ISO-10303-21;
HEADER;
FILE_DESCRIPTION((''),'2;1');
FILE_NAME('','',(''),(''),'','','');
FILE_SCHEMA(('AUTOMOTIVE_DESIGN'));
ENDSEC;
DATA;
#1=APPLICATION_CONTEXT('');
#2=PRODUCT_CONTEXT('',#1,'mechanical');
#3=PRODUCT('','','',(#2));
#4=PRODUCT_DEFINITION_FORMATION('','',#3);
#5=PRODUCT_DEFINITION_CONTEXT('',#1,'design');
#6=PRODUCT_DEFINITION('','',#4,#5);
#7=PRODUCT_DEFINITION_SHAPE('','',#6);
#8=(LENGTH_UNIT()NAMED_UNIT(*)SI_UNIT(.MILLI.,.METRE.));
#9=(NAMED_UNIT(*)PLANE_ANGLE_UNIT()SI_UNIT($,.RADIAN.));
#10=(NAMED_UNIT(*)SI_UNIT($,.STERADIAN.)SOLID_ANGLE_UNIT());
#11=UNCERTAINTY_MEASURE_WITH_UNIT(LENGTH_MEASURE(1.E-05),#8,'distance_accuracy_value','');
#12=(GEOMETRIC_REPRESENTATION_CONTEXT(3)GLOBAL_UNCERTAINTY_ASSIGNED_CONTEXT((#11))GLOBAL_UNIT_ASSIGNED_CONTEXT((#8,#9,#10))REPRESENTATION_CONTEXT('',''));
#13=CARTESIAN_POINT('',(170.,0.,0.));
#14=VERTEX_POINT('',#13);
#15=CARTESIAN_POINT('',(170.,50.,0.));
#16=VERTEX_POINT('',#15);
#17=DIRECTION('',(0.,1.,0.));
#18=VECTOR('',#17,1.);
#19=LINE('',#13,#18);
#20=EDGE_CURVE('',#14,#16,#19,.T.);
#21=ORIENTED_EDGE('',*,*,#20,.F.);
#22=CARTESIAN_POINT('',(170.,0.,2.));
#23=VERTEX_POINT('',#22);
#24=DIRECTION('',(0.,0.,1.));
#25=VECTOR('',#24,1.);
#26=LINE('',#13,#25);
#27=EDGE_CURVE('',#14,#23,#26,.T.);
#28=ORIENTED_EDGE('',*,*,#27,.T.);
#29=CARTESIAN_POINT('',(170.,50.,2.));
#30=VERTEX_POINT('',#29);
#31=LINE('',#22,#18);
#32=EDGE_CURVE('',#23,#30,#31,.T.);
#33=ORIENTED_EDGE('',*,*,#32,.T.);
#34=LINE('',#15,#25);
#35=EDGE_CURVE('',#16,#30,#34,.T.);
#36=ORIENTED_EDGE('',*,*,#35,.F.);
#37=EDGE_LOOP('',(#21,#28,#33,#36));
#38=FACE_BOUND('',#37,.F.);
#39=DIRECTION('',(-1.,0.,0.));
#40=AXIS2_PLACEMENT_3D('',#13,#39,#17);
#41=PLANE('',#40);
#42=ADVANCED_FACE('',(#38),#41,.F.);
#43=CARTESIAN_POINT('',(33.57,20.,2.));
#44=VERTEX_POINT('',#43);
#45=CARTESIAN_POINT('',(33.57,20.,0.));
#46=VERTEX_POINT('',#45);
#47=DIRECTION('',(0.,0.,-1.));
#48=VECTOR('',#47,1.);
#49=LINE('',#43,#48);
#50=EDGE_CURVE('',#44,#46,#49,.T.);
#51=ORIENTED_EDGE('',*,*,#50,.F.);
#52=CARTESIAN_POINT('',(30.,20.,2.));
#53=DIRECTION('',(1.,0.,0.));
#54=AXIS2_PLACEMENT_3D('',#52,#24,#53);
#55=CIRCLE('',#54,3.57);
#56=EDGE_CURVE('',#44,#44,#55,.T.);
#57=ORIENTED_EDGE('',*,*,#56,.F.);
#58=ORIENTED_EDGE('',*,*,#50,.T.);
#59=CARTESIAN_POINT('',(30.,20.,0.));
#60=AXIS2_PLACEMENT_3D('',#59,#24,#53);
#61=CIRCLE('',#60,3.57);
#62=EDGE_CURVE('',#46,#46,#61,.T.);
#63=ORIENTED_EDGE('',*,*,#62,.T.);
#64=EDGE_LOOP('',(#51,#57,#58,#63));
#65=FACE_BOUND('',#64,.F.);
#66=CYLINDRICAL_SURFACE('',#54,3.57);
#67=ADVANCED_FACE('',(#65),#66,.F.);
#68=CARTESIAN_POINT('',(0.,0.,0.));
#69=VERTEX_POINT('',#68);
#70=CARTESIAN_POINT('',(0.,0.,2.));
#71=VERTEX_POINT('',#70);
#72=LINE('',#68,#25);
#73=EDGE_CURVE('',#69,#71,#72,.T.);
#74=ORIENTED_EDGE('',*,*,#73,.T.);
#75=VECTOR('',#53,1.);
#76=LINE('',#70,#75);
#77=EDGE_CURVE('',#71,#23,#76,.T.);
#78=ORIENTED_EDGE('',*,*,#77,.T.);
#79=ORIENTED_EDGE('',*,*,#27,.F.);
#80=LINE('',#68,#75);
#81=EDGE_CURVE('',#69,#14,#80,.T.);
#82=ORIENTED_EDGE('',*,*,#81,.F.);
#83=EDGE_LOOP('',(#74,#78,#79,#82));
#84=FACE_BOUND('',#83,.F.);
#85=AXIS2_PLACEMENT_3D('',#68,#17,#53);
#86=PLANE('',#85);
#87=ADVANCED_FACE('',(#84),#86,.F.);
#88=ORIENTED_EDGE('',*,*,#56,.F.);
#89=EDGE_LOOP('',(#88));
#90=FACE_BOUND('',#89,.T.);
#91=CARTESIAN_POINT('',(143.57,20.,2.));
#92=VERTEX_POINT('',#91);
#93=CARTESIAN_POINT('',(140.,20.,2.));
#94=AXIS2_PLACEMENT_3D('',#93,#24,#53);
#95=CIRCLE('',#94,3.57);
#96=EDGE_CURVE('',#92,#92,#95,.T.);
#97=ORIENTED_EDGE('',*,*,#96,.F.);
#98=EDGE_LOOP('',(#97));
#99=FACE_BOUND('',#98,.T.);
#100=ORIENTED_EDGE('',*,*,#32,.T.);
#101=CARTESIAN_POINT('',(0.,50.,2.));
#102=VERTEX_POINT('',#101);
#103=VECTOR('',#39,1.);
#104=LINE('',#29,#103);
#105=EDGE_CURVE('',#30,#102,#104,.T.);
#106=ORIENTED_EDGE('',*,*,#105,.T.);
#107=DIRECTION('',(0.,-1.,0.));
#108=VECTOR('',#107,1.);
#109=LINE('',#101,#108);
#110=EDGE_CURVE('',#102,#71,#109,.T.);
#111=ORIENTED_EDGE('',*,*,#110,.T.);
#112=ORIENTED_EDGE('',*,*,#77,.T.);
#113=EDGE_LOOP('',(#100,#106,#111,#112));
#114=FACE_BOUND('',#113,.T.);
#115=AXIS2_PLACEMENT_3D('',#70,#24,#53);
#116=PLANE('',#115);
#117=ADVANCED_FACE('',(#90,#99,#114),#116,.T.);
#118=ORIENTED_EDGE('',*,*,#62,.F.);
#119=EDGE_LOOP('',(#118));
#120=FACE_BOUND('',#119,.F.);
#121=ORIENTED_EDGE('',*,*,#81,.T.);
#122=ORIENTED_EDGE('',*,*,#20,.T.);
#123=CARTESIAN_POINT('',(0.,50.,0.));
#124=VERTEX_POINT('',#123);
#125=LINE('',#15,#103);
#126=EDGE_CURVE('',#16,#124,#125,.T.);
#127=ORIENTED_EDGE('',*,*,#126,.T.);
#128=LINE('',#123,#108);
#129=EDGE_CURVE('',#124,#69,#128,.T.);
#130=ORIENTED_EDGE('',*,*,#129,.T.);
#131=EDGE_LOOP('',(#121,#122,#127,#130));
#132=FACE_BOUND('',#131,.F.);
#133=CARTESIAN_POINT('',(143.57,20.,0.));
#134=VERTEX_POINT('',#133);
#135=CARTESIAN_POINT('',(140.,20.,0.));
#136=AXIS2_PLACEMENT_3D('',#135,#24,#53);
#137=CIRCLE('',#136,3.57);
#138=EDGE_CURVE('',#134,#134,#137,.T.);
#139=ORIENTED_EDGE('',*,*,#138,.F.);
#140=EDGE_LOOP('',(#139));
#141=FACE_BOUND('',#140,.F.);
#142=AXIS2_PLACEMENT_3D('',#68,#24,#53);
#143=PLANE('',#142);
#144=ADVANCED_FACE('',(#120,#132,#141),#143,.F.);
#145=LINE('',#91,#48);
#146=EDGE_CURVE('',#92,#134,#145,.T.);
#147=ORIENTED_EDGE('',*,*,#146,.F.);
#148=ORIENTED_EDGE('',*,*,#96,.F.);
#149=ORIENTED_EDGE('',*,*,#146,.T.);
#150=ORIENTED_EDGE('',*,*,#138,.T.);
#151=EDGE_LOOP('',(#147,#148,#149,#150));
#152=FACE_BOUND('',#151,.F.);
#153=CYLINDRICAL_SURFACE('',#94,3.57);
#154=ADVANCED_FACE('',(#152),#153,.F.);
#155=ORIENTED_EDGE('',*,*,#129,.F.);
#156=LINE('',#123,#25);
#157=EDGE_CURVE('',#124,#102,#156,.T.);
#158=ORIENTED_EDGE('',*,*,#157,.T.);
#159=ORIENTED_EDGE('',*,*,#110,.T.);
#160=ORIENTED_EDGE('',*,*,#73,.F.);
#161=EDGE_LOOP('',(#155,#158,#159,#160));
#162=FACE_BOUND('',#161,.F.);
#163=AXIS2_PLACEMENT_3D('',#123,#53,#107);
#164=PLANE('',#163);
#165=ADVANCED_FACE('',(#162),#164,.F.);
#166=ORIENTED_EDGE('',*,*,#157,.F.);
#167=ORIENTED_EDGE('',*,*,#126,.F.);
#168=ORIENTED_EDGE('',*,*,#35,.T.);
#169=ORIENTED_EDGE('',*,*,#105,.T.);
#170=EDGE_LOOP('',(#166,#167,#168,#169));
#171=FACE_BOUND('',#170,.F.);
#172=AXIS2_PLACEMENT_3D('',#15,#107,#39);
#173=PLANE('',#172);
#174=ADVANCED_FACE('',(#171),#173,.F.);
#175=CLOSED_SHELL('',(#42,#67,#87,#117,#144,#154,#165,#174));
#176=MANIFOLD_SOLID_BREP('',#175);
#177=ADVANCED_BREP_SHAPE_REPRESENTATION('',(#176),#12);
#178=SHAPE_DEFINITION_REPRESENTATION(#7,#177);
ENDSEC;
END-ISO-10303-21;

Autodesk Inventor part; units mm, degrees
ref_plane "YZ Plane" through (0, 0, 0) normal (1, 0, 0) x (0, 1, 0)
ref_plane "XZ Plane" through (0, 0, 0) normal (0, 1, 0) x (-1, 0, 0)
ref_plane "XY Plane" through (0, 0, 0) normal (0, 0, 1) x (1, 0, 0)
sketch "Sketch1" plane through (0, 0, 0) normal (0, 0, 1) x (1, 0, 0)
  line L0 (0, 0) -> (170, 0)
  line L1 (170, 0) -> (170, 50)
  line L2 (170, 50) -> (0, 50)
  line L3 (0, 50) -> (0, 0)
  dimension "d0" = 170
  dimension "d1" = 50
extrude "Extrusion1" add sketch "Sketch1" along normal blind 2
sketch "Sketch2" plane through (0, 0, 2) normal (0, 0, 1) x (1, 0, 0)
  circle A0 centre (30, 20) radius 3.57
  circle A1 centre (140, 20) radius 3.57
  line L0 (0, 0) -> (170, 0) projected
  line L1 (0, 50) -> (0, 0) projected
  line L2 (170, 0) -> (170, 50) projected
  dimension "d4" = 7.14
  dimension "d5" = 7.14
  dimension "d6" = 20
  dimension "d7" = 30
  dimension "d8" = 30
  dimension "d9" = 20
extrude "Extrusion2" cut sketch "Sketch2" against normal up to next
properties part number "Panel_5x17cm"
